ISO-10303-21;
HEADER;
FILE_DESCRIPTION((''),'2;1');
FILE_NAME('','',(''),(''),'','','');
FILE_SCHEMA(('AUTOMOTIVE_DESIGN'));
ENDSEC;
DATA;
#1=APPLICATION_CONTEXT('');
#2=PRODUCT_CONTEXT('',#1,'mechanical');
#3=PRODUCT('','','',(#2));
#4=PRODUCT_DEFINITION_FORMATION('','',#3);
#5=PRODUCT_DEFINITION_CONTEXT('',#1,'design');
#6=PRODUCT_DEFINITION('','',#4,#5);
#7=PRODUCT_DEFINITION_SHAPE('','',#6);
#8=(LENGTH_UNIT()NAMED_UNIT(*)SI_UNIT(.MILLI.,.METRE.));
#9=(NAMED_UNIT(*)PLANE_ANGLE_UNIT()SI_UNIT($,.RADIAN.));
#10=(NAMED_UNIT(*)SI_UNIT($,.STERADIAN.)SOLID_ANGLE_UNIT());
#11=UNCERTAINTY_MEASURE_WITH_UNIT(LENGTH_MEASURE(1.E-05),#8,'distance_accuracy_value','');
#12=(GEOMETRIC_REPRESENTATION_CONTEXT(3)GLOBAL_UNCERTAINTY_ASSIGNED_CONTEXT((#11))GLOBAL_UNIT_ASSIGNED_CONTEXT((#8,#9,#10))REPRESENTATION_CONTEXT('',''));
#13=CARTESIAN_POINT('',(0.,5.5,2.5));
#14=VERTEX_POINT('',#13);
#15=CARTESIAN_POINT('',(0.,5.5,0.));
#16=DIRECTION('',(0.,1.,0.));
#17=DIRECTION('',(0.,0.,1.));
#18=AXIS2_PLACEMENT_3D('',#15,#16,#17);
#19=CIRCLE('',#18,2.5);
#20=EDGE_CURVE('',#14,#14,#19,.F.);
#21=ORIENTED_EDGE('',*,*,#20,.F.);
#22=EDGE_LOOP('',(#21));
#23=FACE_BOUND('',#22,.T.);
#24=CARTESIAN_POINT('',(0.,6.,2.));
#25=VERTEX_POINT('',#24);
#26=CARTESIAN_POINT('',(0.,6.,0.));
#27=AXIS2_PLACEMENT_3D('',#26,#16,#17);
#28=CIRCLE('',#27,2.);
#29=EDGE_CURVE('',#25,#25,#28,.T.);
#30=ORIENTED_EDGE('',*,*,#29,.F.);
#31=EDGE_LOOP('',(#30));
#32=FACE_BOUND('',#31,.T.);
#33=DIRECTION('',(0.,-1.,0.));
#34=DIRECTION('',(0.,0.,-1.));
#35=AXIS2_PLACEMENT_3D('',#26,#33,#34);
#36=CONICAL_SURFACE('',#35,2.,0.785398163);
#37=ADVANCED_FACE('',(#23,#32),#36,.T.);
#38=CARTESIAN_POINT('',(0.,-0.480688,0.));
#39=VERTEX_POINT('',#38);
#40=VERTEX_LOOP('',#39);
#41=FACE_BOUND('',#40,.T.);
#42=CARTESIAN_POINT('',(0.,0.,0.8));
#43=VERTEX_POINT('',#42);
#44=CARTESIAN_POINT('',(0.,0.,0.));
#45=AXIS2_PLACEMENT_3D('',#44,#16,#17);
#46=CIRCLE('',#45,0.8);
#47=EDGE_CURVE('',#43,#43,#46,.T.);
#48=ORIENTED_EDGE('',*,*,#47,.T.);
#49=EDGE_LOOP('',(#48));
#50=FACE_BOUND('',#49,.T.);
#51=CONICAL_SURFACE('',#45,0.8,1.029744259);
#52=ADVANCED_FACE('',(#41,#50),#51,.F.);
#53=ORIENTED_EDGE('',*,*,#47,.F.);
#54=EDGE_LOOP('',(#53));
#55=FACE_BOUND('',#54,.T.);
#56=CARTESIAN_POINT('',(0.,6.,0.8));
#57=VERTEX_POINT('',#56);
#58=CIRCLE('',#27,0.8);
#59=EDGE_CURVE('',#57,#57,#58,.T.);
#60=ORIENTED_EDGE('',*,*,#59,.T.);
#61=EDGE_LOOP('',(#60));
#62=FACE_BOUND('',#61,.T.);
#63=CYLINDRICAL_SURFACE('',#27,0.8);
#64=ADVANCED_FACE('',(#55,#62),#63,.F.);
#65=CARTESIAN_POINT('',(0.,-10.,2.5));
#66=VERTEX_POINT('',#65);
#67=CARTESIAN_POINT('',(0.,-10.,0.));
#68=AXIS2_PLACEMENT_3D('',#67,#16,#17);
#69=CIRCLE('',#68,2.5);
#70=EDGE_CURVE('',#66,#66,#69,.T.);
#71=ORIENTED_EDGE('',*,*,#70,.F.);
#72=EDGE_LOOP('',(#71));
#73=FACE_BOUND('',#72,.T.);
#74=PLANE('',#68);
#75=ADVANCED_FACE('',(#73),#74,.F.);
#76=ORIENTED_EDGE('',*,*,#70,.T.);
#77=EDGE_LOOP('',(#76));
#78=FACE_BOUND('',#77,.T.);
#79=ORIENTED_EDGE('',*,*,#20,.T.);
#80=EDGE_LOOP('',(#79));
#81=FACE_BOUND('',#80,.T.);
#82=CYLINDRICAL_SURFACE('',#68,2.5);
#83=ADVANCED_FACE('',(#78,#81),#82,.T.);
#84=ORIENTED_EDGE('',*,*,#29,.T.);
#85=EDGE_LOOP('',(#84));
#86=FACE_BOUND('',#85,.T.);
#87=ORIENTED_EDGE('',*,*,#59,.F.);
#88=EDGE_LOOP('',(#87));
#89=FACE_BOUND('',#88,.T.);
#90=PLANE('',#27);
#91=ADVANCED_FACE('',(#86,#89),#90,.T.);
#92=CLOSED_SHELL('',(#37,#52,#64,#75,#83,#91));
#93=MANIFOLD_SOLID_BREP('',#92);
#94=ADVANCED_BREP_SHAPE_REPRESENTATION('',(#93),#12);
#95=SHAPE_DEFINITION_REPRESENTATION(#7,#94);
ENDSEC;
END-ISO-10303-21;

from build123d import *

# Parameters (mm, degrees)
ESQUISSE1_R             = 2.5
BOSS_EXTRU_1_DEPTH      = 6
BOSS_EXTRU_1_DEPTH_BACK = 10
TROU_TARAUD_M21_D       = 1.6
TROU_TARAUD_M21_DEPTH   = 6
TROU_TARAUD_M21_TIP     = 0.480688495
CHANFREIN1_SIZE         = 0.5


with BuildPart() as part:
    # Esquisse1 → Boss.-Extru.1 (new body, two sides)
    with BuildSketch(Plane(origin=(0, 0, 0), x_dir=(1, 0, 0), z_dir=(0, 1, 0))) as boss_extru_1_sk:
        Circle(ESQUISSE1_R)
    extrude(amount=BOSS_EXTRU_1_DEPTH)
    extrude(boss_extru_1_sk.sketch, amount=-BOSS_EXTRU_1_DEPTH_BACK)

    # Trou taraudé M21
    with Locations(Plane(origin=(0, 6, 0), x_dir=(1, 0, 0), z_dir=(0, 1, 0))):
        with Locations((0, 0)):
            Hole(TROU_TARAUD_M21_D / 2, depth=TROU_TARAUD_M21_DEPTH)
            with Locations((0, 0, -(TROU_TARAUD_M21_DEPTH + TROU_TARAUD_M21_TIP / 2))):  # 118° drill point
                Cone(0, TROU_TARAUD_M21_D / 2, TROU_TARAUD_M21_TIP, mode=Mode.SUBTRACT)

    # Chanfrein1
    chanfrein1_edges = [part.edges().sort_by_distance(p)[0] for p in [
        (-2.5, 6, 0),
    ]]
    chamfer(chanfrein1_edges, length=CHANFREIN1_SIZE)


solid = part.part
